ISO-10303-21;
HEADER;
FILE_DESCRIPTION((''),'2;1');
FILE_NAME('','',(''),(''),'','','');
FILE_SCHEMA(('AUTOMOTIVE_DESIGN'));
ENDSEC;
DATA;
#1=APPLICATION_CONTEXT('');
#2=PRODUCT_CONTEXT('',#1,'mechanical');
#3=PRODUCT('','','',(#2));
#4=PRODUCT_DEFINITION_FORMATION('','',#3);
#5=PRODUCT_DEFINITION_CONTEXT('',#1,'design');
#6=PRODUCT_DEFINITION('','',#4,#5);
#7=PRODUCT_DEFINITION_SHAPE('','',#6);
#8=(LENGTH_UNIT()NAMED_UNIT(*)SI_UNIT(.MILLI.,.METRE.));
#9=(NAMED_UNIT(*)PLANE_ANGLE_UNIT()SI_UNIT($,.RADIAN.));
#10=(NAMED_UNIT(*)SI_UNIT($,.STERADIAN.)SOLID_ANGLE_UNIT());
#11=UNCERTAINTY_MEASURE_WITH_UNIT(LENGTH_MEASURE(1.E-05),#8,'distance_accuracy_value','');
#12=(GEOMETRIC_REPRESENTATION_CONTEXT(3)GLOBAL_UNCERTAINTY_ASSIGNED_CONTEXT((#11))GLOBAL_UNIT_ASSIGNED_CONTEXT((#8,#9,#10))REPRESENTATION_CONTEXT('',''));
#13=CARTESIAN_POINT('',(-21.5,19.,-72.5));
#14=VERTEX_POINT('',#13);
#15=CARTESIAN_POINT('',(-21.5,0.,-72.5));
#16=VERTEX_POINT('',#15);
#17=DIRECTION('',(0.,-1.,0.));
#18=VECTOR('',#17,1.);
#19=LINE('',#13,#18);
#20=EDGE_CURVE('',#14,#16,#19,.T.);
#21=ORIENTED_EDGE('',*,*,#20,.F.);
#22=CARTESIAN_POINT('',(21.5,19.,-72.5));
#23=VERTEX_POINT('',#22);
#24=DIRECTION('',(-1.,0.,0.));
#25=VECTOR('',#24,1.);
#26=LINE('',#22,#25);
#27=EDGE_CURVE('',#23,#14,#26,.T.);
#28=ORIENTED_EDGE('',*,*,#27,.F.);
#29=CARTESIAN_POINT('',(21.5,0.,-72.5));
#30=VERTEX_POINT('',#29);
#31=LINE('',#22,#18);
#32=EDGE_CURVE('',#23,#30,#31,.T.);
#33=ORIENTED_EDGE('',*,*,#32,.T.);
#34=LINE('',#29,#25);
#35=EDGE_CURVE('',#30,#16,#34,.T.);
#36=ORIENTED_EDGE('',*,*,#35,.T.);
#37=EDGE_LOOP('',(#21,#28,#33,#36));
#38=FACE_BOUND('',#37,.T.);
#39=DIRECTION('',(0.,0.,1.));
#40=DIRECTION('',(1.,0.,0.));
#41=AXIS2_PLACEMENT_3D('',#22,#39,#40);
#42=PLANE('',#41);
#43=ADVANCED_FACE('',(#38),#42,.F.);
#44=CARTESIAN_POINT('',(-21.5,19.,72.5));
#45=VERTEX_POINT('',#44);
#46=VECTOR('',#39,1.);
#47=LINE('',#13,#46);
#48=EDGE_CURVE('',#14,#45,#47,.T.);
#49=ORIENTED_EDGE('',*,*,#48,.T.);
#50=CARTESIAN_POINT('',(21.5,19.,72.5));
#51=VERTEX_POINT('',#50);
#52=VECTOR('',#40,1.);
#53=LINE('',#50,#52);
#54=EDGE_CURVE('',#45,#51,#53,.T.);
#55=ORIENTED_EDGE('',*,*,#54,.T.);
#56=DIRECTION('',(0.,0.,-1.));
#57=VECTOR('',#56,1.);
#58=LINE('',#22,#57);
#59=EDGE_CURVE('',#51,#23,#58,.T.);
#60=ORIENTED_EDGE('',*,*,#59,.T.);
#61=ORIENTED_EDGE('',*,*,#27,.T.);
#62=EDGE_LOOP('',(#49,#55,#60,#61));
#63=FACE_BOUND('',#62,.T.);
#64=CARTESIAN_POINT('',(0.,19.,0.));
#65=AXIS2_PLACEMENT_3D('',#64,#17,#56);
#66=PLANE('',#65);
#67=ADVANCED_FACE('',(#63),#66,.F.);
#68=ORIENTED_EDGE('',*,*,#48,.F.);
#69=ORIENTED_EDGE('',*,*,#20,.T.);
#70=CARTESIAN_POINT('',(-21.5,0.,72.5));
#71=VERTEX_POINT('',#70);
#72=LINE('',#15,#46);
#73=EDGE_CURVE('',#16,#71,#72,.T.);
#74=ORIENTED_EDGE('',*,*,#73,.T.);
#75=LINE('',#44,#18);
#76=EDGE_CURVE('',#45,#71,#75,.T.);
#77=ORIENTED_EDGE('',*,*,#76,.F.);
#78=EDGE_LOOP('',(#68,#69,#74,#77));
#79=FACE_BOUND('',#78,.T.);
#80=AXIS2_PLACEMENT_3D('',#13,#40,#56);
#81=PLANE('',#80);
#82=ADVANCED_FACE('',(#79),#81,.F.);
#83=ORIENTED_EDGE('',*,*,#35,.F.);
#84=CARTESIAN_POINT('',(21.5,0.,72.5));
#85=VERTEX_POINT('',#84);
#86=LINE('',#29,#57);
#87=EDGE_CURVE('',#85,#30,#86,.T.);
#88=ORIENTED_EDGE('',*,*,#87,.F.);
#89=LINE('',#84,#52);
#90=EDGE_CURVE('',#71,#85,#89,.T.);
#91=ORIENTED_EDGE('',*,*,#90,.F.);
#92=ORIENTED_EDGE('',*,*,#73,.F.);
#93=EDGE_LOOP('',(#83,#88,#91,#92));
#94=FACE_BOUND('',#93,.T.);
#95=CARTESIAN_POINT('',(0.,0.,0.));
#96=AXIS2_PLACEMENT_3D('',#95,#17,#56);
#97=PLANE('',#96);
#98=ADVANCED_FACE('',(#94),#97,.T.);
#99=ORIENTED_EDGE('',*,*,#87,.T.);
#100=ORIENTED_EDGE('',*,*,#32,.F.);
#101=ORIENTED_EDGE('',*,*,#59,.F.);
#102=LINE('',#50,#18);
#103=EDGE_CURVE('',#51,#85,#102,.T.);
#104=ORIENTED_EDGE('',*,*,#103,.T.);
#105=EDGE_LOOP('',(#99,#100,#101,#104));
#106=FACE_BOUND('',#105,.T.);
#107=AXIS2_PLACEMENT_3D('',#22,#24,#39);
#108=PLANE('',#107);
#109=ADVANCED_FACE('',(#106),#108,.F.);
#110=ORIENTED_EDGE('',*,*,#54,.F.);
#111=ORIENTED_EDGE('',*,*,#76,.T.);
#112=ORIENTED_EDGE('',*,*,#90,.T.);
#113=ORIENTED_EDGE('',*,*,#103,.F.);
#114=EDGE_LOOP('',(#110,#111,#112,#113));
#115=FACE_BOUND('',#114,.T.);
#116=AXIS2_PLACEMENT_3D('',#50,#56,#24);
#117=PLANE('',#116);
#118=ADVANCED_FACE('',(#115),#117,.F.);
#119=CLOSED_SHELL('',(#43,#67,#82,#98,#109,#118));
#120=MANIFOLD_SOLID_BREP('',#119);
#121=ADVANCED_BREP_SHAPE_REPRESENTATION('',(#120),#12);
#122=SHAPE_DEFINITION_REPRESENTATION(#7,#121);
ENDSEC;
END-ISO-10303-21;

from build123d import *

# Parameters (mm, degrees)
ESQUISSE1_W        = 43
ESQUISSE1_H        = 145
BOSS_EXTRU_1_DEPTH = 19


with BuildPart() as part:
    # Esquisse1 → Boss.-Extru.1 (new body)
    with BuildSketch(Plane(origin=(0, 0, 0), x_dir=(1, 0, 0), z_dir=(0, 1, 0))):
        Rectangle(ESQUISSE1_W, ESQUISSE1_H)
    extrude(amount=BOSS_EXTRU_1_DEPTH)


solid = part.part
